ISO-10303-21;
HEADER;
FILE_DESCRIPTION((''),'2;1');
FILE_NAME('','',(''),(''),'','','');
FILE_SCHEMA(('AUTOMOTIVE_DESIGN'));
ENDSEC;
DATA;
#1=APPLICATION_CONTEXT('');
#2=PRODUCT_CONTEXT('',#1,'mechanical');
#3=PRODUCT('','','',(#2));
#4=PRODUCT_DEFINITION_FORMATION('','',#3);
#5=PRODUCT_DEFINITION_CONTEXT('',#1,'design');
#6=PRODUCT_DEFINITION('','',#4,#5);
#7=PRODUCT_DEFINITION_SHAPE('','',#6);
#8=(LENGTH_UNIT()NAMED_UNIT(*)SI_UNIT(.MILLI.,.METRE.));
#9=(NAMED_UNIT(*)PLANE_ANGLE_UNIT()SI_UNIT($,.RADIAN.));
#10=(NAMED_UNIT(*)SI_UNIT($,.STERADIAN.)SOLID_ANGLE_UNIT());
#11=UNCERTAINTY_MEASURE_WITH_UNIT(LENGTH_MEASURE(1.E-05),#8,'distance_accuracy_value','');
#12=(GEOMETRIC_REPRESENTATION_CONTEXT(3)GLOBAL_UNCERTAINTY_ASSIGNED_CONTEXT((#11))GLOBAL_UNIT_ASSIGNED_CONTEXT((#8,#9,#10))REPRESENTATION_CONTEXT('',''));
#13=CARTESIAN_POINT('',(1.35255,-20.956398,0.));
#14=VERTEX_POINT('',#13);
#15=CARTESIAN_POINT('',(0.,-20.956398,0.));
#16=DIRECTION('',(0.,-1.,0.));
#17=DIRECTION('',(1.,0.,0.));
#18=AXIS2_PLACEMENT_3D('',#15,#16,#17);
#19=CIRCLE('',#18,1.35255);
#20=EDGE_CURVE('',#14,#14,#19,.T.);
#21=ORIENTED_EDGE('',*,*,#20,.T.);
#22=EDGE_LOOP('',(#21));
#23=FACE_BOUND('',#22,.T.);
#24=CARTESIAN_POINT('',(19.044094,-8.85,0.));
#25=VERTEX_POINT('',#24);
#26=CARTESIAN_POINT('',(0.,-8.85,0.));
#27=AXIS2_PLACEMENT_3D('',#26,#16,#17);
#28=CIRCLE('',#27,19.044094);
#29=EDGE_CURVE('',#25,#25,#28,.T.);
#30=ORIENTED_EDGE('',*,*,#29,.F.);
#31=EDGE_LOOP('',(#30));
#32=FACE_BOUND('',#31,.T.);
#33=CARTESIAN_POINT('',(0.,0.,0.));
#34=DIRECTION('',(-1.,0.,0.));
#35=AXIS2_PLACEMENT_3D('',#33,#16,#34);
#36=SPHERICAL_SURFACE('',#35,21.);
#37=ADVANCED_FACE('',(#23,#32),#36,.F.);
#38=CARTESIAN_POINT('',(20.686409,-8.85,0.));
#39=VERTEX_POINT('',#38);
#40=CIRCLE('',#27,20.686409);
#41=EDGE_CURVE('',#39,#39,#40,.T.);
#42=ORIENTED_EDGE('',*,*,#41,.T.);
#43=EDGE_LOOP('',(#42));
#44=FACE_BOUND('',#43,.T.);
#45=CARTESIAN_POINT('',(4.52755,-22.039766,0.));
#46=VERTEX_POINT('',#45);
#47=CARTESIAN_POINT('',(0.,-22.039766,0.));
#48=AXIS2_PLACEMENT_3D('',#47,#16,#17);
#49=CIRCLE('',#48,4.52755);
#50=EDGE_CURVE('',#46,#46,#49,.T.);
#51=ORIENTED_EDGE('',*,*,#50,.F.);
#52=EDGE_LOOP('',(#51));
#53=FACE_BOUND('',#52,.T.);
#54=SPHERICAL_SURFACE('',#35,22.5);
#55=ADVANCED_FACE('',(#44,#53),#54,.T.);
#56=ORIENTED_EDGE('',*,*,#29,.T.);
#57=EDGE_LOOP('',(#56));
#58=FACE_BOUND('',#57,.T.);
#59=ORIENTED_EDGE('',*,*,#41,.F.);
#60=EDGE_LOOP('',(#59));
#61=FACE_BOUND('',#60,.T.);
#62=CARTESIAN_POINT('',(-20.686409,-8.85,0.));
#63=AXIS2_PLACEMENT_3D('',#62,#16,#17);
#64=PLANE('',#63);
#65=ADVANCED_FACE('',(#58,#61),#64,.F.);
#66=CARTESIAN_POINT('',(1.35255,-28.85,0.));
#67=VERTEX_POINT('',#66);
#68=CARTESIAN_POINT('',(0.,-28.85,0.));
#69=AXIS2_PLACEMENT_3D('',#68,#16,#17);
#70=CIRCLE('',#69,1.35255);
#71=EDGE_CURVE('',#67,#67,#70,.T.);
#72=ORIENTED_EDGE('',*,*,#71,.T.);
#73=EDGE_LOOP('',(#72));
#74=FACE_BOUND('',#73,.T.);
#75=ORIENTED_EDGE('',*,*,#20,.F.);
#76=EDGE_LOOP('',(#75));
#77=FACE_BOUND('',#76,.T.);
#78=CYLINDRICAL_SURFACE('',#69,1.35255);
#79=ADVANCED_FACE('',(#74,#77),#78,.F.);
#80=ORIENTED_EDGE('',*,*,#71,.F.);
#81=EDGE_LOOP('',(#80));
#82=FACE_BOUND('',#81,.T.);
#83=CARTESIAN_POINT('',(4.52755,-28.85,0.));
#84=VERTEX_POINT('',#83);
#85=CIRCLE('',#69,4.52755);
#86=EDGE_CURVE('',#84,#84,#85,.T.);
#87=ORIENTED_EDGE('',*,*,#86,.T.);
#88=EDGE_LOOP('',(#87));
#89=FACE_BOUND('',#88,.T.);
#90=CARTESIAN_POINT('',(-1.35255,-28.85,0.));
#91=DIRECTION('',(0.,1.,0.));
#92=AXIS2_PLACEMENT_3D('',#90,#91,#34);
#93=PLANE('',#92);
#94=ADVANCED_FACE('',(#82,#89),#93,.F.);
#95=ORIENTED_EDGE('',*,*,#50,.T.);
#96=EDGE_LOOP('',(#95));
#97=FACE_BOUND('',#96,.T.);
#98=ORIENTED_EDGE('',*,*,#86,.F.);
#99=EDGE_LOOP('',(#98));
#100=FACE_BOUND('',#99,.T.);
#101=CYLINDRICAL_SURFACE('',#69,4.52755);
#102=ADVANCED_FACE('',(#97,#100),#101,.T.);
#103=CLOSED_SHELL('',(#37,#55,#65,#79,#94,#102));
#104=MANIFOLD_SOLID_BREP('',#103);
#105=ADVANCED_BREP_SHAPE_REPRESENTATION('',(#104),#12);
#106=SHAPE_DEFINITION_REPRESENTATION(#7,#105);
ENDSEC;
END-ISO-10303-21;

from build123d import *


with BuildPart() as part:
    # Sketch5 → Revolve2 (revolve)
    with BuildSketch(Plane.XY):
        with BuildLine():
            Line((-1.35255, -28.85), (-1.35255, -22.459310063))
            Line((-1.35255, -22.459310063), (-1.35255, -20.956397794))
            ThreePointArc((-1.35255, -20.956397794), (-11.859468122, -17.33069577), (-19.044093573, -8.85))
            Line((-19.044093573, -8.85), (-20.686408581, -8.85))
            ThreePointArc((-20.686408581, -8.85), (-14.227733814, -17.430478781), (-4.52755, -22.039766128))
            Line((-4.52755, -22.039766128), (-4.52755, -28.85))
            Line((-4.52755, -28.85), (-1.35255, -28.85))
        make_face()
    revolve(axis=Axis((0, -28.85, 0), (0, 1, 0)))


solid = part.part
